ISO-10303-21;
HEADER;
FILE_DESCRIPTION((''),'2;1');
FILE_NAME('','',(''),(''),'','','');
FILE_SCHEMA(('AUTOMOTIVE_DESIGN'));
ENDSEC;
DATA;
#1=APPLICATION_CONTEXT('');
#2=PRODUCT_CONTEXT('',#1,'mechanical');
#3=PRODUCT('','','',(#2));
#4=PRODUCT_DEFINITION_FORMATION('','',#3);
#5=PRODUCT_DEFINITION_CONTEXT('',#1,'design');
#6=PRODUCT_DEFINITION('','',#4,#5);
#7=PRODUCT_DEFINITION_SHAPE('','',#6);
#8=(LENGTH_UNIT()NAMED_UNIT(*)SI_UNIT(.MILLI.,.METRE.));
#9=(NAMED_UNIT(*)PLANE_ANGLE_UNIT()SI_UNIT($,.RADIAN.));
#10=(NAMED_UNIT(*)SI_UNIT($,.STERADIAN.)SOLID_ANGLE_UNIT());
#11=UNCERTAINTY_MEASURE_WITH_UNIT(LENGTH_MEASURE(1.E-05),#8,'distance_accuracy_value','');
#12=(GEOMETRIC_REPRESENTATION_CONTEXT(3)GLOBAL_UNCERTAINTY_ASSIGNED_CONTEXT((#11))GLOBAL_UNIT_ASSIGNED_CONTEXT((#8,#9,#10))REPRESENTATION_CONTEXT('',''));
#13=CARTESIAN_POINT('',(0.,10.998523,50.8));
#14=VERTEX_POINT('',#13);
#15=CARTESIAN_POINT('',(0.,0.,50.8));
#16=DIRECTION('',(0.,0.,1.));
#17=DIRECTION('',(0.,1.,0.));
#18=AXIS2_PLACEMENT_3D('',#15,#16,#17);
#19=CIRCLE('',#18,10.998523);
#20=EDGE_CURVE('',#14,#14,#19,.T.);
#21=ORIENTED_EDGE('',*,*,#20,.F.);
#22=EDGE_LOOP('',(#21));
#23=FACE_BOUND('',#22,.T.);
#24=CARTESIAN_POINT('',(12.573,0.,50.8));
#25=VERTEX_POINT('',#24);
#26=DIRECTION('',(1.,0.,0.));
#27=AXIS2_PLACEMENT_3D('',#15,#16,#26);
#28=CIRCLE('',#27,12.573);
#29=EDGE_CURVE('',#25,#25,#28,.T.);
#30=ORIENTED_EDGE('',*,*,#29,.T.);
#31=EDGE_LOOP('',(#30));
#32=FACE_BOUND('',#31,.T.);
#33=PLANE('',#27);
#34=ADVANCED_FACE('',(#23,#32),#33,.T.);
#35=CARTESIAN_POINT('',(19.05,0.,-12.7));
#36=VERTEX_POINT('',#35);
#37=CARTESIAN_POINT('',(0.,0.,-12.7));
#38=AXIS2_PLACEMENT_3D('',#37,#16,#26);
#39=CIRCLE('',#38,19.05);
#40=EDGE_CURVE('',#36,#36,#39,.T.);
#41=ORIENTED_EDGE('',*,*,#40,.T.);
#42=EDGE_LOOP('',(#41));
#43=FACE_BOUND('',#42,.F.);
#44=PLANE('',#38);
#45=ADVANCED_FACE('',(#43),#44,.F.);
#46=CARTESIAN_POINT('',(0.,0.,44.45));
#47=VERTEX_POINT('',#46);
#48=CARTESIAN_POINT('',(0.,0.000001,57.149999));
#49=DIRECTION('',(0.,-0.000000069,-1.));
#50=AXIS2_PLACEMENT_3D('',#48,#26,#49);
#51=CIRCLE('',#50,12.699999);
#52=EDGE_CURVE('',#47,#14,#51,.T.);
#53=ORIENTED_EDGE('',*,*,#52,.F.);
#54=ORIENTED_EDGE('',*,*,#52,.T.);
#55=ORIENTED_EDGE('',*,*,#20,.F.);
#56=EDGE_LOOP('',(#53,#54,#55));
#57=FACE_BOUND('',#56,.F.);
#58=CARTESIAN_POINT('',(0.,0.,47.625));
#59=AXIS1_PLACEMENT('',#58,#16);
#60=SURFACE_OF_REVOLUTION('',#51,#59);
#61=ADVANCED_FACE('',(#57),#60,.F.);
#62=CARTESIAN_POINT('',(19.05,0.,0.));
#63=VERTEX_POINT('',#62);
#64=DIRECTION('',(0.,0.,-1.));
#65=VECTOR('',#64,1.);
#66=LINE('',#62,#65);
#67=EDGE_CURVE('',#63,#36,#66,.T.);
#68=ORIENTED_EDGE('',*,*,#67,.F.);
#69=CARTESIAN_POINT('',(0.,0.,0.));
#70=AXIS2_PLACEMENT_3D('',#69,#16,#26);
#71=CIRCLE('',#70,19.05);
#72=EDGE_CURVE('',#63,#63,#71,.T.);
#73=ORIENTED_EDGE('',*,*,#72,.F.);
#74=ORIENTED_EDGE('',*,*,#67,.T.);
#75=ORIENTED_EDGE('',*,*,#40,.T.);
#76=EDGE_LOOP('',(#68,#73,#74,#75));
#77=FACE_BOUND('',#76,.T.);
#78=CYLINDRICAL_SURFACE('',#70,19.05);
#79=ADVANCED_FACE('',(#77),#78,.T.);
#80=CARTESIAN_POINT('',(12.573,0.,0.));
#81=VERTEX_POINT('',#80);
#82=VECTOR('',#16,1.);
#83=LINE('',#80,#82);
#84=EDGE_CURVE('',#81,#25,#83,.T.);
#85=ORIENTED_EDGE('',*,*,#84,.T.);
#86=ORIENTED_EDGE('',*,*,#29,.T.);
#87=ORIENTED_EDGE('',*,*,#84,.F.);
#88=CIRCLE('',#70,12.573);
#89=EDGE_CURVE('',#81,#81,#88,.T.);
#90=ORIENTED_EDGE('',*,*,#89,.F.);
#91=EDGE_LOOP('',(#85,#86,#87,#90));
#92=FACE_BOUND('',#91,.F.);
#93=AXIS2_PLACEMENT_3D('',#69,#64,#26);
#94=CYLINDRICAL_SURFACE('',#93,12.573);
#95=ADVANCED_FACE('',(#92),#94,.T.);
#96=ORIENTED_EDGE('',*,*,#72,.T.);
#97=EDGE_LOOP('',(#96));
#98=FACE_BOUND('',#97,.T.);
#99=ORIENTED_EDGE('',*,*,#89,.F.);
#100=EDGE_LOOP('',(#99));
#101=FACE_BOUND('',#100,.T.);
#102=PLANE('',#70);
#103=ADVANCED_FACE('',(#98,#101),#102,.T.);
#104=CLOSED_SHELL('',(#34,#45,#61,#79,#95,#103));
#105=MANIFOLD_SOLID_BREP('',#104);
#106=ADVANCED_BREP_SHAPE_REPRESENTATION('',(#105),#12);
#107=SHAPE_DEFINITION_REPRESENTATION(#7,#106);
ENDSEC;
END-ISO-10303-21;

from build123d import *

# Parameters (mm, degrees)
F0_R     = 19.05
F1_DEPTH = 12.7
F2_R     = 12.573
F3_DEPTH = 50.8


with BuildPart() as f1:
    # F0 (on Top) → F1 (new body)
    with BuildSketch(Plane.XY):
        Circle(F0_R)
    extrude(amount=-F1_DEPTH)

    # F2 (on face) → F3 (join)
    with BuildSketch(Plane.XY):
        Circle(F2_R)
    extrude(amount=F3_DEPTH)

    # F4 (on Right) → F5 (revolve, cut)
    with BuildSketch(Plane.YZ):
        with BuildLine():
            ThreePointArc((0, 44.45), (6.35, 46.151477), (10.998523, 50.8))
            Line((10.998523, 50.8), (0, 50.8))
            Line((0, 50.8), (0, 44.45))
        make_face()
    revolve(axis=Axis((0, 0, 47.625), (0, 0, 1)), mode=Mode.SUBTRACT)


solid = f1.part
